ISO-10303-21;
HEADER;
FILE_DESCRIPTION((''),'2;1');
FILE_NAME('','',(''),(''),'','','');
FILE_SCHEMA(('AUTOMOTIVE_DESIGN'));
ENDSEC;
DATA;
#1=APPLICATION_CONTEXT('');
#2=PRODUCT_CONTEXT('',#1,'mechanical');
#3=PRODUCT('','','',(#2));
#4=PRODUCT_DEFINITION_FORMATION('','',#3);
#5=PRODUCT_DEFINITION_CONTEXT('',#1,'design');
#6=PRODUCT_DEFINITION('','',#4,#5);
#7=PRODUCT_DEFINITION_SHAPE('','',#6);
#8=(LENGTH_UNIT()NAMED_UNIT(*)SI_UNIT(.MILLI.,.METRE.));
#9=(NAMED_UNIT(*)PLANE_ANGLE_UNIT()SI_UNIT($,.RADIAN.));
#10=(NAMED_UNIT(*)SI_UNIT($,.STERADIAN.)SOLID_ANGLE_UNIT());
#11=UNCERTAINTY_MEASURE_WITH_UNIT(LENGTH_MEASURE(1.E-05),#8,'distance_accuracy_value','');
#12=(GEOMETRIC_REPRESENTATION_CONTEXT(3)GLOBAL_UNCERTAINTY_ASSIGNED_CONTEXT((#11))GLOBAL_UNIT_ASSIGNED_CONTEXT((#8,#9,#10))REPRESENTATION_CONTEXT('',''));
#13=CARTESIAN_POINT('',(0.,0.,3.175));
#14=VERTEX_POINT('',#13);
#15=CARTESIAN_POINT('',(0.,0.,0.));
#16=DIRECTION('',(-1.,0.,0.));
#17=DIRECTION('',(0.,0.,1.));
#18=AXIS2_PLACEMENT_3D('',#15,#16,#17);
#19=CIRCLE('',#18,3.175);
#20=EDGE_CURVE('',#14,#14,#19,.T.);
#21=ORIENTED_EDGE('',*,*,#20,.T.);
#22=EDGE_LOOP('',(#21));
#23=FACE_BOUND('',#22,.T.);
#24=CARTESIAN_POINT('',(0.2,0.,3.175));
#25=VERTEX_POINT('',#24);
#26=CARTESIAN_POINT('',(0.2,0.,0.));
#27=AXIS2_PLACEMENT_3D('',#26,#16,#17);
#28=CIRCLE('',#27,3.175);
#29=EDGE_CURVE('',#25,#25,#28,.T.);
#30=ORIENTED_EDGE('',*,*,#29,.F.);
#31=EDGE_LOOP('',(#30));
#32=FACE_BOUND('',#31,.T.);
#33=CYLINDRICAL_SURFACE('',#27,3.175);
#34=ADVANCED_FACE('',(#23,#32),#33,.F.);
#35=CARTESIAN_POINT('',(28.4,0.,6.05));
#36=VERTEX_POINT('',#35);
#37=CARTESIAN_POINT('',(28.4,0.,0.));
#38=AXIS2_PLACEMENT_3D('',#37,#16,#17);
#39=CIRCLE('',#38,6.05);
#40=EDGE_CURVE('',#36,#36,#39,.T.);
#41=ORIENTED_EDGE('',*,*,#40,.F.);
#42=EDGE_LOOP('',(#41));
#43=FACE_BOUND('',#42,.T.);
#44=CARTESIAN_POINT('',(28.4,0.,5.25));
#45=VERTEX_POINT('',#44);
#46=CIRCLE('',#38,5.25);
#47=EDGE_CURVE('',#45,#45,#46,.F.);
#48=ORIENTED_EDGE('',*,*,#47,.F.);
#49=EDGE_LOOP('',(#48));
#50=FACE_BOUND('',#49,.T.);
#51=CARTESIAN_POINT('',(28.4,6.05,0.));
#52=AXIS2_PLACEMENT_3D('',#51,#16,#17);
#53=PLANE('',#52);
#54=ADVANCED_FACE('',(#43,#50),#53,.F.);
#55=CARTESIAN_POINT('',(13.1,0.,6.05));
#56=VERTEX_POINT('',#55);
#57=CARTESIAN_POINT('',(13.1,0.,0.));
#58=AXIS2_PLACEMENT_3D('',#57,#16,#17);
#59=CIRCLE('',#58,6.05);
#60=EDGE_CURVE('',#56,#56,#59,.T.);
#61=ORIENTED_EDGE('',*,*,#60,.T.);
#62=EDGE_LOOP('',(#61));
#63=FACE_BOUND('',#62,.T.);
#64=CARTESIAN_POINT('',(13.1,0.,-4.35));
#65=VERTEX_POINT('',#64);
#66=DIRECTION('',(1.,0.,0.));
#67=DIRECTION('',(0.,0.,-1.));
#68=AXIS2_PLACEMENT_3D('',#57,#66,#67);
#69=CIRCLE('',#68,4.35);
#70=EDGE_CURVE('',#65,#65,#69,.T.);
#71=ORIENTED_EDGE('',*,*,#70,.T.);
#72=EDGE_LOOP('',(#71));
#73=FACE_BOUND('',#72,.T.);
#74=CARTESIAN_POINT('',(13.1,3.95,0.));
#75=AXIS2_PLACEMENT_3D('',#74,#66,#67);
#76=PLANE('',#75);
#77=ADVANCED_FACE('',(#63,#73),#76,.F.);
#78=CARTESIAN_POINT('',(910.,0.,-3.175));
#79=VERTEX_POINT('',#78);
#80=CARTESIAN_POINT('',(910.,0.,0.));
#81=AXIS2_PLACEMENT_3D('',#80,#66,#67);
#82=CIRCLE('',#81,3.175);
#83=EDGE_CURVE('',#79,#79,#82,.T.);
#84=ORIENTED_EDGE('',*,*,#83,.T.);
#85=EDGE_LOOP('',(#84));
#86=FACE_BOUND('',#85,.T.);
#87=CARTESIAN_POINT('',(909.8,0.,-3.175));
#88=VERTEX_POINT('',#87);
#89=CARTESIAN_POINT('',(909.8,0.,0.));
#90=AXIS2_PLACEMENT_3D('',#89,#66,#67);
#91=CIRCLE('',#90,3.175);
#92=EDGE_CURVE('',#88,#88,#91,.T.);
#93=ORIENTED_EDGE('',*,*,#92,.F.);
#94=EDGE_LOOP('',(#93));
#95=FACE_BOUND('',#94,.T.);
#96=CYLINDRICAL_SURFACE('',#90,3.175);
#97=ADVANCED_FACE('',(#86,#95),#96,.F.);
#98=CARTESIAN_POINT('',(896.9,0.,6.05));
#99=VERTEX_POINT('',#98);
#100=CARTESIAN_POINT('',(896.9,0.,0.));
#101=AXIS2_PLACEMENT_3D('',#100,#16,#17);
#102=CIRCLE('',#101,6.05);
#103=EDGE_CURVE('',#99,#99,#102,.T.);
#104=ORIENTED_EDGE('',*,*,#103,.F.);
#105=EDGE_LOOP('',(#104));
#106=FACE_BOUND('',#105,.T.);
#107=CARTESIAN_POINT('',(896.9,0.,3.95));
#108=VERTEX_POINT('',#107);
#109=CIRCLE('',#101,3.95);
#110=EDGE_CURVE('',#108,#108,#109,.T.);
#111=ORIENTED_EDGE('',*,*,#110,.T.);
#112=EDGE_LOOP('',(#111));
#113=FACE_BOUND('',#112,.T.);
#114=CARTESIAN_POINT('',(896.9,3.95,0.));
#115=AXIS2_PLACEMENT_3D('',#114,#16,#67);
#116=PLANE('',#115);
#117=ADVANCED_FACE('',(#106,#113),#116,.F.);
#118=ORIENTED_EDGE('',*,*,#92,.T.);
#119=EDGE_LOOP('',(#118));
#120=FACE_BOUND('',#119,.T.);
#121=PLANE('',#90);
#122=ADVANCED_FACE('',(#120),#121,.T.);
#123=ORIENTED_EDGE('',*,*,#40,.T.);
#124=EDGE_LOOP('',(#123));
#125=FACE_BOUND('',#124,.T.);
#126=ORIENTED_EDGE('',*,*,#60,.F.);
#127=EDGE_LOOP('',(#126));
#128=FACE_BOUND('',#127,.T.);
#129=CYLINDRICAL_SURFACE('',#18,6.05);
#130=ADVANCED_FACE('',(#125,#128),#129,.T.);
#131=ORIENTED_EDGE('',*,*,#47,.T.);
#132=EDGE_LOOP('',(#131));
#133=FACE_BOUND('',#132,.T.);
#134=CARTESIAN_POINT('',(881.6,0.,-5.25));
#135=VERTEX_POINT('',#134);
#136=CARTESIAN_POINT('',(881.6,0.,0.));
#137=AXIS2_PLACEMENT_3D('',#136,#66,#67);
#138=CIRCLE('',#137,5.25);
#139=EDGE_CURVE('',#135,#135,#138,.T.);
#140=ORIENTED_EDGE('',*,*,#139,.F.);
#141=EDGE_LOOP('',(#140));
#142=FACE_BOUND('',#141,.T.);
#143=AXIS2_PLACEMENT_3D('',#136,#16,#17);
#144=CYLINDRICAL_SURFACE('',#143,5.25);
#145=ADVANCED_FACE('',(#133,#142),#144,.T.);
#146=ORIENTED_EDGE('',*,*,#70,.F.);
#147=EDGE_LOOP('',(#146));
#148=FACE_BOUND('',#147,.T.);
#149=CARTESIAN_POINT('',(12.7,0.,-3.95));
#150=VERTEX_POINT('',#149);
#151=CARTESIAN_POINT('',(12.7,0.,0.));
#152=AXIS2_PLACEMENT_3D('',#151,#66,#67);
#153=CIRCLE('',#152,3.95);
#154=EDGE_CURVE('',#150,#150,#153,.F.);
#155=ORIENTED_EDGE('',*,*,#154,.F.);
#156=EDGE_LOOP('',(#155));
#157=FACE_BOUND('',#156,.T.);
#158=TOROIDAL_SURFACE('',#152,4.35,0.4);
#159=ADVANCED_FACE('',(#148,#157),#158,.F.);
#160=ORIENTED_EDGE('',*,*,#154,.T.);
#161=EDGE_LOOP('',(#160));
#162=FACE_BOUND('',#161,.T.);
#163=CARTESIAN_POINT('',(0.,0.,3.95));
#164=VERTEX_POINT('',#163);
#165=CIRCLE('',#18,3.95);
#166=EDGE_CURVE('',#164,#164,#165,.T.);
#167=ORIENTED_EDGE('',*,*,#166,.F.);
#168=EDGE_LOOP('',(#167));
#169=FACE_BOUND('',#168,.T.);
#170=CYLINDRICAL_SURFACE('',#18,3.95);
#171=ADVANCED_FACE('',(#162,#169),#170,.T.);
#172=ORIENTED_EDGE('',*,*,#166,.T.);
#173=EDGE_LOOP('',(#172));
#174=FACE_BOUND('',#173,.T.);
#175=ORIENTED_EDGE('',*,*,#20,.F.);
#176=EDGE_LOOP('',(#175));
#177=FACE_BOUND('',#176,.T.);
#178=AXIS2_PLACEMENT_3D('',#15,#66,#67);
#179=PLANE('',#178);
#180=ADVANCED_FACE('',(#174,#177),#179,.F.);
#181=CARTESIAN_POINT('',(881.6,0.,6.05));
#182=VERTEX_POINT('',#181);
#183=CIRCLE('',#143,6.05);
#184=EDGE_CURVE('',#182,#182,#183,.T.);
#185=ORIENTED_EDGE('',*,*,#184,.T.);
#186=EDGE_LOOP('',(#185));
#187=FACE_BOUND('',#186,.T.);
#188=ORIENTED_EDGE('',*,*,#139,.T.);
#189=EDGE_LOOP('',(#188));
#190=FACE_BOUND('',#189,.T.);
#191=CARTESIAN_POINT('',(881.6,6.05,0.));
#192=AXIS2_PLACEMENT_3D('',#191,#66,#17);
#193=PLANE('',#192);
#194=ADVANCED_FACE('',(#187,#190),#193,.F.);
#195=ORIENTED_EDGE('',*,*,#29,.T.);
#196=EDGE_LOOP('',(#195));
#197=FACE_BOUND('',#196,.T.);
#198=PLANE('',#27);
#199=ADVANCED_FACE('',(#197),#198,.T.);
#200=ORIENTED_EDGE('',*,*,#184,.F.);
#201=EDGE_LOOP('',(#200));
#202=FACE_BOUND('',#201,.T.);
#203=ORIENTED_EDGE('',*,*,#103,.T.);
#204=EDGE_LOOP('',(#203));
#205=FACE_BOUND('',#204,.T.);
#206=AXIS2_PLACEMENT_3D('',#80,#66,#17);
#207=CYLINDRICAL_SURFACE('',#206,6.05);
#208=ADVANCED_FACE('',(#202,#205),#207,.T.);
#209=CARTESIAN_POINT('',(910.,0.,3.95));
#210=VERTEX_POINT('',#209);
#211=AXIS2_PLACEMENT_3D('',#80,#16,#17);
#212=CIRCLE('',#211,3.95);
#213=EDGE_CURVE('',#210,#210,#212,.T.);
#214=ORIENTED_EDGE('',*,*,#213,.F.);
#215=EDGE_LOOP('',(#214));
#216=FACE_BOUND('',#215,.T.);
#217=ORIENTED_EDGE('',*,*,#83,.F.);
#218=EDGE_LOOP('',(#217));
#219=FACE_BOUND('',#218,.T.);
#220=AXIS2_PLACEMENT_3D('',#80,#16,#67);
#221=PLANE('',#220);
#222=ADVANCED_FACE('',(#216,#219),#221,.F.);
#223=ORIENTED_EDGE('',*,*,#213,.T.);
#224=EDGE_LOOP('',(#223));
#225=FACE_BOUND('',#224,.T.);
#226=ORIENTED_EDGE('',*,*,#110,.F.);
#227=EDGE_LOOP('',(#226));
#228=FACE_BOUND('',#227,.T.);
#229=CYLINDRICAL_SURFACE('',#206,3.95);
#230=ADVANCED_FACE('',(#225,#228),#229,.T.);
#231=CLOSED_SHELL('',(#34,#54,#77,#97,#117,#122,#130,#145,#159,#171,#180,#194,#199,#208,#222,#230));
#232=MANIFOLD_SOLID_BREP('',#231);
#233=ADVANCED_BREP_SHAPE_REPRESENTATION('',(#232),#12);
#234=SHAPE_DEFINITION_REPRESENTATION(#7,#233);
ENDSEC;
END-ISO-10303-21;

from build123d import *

# Parameters (mm, degrees)
FILLET1_R           = 0.4
SKETCH6_R           = 5.25
BOSS_EXTRUDE1_DEPTH = 853.2
SKETCH7_R           = 3.175
CUT_EXTRUDE1_DEPTH  = 0.2
SKETCH9_R           = 3.175
CUT_EXTRUDE2_DEPTH  = 0.2


with BuildPart() as part:
    # Sketch3 → Revolve1 (revolve)
    with BuildSketch(Plane.XY, mode=Mode.PRIVATE) as revolve1_sk:
        Polygon((0, 0), (0, 3.95), (13.1, 3.95), (13.1, 6.05), (28.4, 6.05), (28.4, 0), align=None)
    revolve1 = revolve(revolve1_sk.sketch.rotate(Axis((0, 0, 0), (1, 0, 0)), 90), axis=Axis((0, 0, 0), (1, 0, 0)))  # turned: the seam where the file's is

    # Fillet1
    fillet1_edges = [part.edges().sort_by_distance(p)[0] for p in [
        (13.1, 0, -3.95),
    ]]
    fillet(fillet1_edges, radius=FILLET1_R)

    # Sketch6 → Boss-Extrude1 (add)
    with BuildSketch(Plane(origin=(28.4, 0, 0), x_dir=(0, 0, -1), z_dir=(1, 0, 0))):
        with Locations(Location((0, 0, 0), (0, 0, 180))):  # turned: the seam where the file's is
            Circle(SKETCH6_R)
    extrude(amount=BOSS_EXTRUDE1_DEPTH)

    # Mirror1: Revolve1 across plane
    add(revolve1.mirror(Plane(origin=(455, 0, 0), x_dir=(0, 0, 1), z_dir=(1, 0, 0))))

    # Sketch7 → Cut-Extrude1 (cut)
    with BuildSketch(Plane(origin=(910, 0, 0), x_dir=(0, 0, -1), z_dir=(1, 0, 0))):
        Circle(SKETCH7_R)
    extrude(amount=-CUT_EXTRUDE1_DEPTH, mode=Mode.SUBTRACT)

    # Sketch9 → Cut-Extrude2 (cut)
    with BuildSketch(Plane.ZY):
        with Locations(Location((0, 0, 0), (0, 0, 180))):  # turned: the seam where the file's is
            Circle(SKETCH9_R)
    extrude(amount=-CUT_EXTRUDE2_DEPTH, mode=Mode.SUBTRACT)


solid = part.part
